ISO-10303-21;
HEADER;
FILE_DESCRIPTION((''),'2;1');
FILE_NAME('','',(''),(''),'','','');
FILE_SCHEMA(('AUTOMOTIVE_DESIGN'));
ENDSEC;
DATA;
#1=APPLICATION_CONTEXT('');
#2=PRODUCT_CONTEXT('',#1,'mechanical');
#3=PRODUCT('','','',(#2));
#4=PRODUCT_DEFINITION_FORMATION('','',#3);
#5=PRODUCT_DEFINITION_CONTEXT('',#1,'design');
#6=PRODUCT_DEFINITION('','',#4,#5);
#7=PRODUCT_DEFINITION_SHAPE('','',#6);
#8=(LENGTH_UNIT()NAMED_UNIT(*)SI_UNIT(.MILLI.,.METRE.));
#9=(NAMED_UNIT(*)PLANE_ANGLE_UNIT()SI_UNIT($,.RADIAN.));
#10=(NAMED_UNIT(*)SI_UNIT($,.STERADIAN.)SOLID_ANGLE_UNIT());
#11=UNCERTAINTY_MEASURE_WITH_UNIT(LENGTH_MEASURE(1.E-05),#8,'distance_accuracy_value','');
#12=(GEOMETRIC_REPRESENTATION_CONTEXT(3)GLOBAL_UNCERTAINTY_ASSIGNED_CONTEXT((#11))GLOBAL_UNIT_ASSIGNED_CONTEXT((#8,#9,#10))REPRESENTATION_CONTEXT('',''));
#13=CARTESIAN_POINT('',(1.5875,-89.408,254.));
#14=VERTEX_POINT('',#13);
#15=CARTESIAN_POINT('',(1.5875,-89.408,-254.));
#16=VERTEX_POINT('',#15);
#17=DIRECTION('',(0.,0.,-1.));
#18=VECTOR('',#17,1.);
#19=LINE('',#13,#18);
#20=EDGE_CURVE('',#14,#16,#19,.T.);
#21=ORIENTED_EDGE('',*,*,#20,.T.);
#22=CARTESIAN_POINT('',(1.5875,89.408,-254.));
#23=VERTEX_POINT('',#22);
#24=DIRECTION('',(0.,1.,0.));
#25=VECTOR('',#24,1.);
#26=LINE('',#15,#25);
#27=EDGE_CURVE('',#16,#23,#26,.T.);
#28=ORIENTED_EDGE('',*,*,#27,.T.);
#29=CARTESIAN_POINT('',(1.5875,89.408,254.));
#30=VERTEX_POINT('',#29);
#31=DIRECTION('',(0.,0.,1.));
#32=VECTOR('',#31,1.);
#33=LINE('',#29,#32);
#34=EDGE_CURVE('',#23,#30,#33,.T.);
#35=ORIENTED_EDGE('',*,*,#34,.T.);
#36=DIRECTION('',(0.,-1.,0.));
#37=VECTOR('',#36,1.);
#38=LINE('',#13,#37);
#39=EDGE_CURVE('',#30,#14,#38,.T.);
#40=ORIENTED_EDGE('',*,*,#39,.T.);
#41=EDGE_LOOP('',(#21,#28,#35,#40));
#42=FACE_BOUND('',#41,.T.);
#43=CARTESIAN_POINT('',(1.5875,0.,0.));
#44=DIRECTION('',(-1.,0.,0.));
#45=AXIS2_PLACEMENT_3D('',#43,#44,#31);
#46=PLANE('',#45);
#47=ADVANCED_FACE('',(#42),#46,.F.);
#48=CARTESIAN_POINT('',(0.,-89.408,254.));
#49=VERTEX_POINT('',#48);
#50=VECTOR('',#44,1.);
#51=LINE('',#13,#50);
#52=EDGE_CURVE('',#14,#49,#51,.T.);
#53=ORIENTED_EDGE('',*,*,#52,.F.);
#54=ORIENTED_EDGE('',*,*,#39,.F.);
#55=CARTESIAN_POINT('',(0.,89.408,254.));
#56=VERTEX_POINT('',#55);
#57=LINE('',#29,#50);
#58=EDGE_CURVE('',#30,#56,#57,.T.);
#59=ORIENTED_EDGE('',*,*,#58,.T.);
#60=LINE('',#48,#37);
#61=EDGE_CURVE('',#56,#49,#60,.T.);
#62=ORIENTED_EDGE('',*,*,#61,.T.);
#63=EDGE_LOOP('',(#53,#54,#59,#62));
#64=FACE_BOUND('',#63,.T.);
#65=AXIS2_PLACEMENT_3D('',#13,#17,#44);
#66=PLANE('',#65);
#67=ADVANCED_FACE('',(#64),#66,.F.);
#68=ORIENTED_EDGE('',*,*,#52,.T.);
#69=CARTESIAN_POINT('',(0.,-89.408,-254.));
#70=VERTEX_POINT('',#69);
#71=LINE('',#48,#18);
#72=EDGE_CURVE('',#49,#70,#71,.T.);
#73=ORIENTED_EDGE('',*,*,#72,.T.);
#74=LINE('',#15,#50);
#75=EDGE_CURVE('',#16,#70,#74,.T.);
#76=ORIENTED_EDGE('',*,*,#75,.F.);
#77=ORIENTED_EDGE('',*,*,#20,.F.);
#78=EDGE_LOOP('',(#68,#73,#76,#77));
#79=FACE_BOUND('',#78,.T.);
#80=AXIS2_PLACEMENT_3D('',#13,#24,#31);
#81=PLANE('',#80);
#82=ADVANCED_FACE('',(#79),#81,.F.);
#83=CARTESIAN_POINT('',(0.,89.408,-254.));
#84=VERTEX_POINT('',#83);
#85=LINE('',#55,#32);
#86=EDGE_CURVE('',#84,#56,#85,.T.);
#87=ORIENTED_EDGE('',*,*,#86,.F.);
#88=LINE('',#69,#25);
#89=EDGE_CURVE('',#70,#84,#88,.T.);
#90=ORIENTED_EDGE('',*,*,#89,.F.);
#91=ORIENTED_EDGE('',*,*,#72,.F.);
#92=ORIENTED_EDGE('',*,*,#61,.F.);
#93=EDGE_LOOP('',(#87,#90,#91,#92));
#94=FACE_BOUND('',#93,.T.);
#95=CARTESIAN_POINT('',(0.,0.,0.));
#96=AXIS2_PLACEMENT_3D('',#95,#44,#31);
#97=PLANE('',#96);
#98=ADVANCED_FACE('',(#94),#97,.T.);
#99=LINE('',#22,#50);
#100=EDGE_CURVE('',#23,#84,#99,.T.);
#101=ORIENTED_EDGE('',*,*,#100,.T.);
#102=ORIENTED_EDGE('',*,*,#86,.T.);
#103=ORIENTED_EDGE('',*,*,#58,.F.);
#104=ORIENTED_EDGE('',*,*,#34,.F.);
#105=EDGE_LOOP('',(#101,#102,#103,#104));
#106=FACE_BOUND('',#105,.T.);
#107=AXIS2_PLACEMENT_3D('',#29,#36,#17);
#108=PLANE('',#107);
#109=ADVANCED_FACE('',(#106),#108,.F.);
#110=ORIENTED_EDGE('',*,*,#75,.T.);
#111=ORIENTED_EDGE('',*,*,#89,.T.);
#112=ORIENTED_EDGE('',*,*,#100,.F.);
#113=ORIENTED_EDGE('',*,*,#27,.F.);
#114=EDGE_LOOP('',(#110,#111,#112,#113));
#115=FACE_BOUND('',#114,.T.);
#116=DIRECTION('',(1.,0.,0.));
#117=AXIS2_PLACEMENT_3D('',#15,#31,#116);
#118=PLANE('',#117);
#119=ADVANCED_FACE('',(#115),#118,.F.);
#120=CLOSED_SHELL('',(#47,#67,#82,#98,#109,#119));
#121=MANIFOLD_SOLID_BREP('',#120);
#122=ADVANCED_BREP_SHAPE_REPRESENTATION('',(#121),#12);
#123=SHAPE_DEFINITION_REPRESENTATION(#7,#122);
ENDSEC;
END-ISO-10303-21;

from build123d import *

# Parameters (mm, degrees)
SKETCH1_W           = 508
SKETCH1_H           = 178.816
BOSS_EXTRUDE1_DEPTH = 1.5875


with BuildPart() as part:
    # Sketch1 → Boss-Extrude1 (new body)
    with BuildSketch(Plane(origin=(0, 0, 0), x_dir=(0, 0, -1), z_dir=(1, 0, 0))):
        Rectangle(SKETCH1_W, SKETCH1_H)
    extrude(amount=BOSS_EXTRUDE1_DEPTH)


solid = part.part
